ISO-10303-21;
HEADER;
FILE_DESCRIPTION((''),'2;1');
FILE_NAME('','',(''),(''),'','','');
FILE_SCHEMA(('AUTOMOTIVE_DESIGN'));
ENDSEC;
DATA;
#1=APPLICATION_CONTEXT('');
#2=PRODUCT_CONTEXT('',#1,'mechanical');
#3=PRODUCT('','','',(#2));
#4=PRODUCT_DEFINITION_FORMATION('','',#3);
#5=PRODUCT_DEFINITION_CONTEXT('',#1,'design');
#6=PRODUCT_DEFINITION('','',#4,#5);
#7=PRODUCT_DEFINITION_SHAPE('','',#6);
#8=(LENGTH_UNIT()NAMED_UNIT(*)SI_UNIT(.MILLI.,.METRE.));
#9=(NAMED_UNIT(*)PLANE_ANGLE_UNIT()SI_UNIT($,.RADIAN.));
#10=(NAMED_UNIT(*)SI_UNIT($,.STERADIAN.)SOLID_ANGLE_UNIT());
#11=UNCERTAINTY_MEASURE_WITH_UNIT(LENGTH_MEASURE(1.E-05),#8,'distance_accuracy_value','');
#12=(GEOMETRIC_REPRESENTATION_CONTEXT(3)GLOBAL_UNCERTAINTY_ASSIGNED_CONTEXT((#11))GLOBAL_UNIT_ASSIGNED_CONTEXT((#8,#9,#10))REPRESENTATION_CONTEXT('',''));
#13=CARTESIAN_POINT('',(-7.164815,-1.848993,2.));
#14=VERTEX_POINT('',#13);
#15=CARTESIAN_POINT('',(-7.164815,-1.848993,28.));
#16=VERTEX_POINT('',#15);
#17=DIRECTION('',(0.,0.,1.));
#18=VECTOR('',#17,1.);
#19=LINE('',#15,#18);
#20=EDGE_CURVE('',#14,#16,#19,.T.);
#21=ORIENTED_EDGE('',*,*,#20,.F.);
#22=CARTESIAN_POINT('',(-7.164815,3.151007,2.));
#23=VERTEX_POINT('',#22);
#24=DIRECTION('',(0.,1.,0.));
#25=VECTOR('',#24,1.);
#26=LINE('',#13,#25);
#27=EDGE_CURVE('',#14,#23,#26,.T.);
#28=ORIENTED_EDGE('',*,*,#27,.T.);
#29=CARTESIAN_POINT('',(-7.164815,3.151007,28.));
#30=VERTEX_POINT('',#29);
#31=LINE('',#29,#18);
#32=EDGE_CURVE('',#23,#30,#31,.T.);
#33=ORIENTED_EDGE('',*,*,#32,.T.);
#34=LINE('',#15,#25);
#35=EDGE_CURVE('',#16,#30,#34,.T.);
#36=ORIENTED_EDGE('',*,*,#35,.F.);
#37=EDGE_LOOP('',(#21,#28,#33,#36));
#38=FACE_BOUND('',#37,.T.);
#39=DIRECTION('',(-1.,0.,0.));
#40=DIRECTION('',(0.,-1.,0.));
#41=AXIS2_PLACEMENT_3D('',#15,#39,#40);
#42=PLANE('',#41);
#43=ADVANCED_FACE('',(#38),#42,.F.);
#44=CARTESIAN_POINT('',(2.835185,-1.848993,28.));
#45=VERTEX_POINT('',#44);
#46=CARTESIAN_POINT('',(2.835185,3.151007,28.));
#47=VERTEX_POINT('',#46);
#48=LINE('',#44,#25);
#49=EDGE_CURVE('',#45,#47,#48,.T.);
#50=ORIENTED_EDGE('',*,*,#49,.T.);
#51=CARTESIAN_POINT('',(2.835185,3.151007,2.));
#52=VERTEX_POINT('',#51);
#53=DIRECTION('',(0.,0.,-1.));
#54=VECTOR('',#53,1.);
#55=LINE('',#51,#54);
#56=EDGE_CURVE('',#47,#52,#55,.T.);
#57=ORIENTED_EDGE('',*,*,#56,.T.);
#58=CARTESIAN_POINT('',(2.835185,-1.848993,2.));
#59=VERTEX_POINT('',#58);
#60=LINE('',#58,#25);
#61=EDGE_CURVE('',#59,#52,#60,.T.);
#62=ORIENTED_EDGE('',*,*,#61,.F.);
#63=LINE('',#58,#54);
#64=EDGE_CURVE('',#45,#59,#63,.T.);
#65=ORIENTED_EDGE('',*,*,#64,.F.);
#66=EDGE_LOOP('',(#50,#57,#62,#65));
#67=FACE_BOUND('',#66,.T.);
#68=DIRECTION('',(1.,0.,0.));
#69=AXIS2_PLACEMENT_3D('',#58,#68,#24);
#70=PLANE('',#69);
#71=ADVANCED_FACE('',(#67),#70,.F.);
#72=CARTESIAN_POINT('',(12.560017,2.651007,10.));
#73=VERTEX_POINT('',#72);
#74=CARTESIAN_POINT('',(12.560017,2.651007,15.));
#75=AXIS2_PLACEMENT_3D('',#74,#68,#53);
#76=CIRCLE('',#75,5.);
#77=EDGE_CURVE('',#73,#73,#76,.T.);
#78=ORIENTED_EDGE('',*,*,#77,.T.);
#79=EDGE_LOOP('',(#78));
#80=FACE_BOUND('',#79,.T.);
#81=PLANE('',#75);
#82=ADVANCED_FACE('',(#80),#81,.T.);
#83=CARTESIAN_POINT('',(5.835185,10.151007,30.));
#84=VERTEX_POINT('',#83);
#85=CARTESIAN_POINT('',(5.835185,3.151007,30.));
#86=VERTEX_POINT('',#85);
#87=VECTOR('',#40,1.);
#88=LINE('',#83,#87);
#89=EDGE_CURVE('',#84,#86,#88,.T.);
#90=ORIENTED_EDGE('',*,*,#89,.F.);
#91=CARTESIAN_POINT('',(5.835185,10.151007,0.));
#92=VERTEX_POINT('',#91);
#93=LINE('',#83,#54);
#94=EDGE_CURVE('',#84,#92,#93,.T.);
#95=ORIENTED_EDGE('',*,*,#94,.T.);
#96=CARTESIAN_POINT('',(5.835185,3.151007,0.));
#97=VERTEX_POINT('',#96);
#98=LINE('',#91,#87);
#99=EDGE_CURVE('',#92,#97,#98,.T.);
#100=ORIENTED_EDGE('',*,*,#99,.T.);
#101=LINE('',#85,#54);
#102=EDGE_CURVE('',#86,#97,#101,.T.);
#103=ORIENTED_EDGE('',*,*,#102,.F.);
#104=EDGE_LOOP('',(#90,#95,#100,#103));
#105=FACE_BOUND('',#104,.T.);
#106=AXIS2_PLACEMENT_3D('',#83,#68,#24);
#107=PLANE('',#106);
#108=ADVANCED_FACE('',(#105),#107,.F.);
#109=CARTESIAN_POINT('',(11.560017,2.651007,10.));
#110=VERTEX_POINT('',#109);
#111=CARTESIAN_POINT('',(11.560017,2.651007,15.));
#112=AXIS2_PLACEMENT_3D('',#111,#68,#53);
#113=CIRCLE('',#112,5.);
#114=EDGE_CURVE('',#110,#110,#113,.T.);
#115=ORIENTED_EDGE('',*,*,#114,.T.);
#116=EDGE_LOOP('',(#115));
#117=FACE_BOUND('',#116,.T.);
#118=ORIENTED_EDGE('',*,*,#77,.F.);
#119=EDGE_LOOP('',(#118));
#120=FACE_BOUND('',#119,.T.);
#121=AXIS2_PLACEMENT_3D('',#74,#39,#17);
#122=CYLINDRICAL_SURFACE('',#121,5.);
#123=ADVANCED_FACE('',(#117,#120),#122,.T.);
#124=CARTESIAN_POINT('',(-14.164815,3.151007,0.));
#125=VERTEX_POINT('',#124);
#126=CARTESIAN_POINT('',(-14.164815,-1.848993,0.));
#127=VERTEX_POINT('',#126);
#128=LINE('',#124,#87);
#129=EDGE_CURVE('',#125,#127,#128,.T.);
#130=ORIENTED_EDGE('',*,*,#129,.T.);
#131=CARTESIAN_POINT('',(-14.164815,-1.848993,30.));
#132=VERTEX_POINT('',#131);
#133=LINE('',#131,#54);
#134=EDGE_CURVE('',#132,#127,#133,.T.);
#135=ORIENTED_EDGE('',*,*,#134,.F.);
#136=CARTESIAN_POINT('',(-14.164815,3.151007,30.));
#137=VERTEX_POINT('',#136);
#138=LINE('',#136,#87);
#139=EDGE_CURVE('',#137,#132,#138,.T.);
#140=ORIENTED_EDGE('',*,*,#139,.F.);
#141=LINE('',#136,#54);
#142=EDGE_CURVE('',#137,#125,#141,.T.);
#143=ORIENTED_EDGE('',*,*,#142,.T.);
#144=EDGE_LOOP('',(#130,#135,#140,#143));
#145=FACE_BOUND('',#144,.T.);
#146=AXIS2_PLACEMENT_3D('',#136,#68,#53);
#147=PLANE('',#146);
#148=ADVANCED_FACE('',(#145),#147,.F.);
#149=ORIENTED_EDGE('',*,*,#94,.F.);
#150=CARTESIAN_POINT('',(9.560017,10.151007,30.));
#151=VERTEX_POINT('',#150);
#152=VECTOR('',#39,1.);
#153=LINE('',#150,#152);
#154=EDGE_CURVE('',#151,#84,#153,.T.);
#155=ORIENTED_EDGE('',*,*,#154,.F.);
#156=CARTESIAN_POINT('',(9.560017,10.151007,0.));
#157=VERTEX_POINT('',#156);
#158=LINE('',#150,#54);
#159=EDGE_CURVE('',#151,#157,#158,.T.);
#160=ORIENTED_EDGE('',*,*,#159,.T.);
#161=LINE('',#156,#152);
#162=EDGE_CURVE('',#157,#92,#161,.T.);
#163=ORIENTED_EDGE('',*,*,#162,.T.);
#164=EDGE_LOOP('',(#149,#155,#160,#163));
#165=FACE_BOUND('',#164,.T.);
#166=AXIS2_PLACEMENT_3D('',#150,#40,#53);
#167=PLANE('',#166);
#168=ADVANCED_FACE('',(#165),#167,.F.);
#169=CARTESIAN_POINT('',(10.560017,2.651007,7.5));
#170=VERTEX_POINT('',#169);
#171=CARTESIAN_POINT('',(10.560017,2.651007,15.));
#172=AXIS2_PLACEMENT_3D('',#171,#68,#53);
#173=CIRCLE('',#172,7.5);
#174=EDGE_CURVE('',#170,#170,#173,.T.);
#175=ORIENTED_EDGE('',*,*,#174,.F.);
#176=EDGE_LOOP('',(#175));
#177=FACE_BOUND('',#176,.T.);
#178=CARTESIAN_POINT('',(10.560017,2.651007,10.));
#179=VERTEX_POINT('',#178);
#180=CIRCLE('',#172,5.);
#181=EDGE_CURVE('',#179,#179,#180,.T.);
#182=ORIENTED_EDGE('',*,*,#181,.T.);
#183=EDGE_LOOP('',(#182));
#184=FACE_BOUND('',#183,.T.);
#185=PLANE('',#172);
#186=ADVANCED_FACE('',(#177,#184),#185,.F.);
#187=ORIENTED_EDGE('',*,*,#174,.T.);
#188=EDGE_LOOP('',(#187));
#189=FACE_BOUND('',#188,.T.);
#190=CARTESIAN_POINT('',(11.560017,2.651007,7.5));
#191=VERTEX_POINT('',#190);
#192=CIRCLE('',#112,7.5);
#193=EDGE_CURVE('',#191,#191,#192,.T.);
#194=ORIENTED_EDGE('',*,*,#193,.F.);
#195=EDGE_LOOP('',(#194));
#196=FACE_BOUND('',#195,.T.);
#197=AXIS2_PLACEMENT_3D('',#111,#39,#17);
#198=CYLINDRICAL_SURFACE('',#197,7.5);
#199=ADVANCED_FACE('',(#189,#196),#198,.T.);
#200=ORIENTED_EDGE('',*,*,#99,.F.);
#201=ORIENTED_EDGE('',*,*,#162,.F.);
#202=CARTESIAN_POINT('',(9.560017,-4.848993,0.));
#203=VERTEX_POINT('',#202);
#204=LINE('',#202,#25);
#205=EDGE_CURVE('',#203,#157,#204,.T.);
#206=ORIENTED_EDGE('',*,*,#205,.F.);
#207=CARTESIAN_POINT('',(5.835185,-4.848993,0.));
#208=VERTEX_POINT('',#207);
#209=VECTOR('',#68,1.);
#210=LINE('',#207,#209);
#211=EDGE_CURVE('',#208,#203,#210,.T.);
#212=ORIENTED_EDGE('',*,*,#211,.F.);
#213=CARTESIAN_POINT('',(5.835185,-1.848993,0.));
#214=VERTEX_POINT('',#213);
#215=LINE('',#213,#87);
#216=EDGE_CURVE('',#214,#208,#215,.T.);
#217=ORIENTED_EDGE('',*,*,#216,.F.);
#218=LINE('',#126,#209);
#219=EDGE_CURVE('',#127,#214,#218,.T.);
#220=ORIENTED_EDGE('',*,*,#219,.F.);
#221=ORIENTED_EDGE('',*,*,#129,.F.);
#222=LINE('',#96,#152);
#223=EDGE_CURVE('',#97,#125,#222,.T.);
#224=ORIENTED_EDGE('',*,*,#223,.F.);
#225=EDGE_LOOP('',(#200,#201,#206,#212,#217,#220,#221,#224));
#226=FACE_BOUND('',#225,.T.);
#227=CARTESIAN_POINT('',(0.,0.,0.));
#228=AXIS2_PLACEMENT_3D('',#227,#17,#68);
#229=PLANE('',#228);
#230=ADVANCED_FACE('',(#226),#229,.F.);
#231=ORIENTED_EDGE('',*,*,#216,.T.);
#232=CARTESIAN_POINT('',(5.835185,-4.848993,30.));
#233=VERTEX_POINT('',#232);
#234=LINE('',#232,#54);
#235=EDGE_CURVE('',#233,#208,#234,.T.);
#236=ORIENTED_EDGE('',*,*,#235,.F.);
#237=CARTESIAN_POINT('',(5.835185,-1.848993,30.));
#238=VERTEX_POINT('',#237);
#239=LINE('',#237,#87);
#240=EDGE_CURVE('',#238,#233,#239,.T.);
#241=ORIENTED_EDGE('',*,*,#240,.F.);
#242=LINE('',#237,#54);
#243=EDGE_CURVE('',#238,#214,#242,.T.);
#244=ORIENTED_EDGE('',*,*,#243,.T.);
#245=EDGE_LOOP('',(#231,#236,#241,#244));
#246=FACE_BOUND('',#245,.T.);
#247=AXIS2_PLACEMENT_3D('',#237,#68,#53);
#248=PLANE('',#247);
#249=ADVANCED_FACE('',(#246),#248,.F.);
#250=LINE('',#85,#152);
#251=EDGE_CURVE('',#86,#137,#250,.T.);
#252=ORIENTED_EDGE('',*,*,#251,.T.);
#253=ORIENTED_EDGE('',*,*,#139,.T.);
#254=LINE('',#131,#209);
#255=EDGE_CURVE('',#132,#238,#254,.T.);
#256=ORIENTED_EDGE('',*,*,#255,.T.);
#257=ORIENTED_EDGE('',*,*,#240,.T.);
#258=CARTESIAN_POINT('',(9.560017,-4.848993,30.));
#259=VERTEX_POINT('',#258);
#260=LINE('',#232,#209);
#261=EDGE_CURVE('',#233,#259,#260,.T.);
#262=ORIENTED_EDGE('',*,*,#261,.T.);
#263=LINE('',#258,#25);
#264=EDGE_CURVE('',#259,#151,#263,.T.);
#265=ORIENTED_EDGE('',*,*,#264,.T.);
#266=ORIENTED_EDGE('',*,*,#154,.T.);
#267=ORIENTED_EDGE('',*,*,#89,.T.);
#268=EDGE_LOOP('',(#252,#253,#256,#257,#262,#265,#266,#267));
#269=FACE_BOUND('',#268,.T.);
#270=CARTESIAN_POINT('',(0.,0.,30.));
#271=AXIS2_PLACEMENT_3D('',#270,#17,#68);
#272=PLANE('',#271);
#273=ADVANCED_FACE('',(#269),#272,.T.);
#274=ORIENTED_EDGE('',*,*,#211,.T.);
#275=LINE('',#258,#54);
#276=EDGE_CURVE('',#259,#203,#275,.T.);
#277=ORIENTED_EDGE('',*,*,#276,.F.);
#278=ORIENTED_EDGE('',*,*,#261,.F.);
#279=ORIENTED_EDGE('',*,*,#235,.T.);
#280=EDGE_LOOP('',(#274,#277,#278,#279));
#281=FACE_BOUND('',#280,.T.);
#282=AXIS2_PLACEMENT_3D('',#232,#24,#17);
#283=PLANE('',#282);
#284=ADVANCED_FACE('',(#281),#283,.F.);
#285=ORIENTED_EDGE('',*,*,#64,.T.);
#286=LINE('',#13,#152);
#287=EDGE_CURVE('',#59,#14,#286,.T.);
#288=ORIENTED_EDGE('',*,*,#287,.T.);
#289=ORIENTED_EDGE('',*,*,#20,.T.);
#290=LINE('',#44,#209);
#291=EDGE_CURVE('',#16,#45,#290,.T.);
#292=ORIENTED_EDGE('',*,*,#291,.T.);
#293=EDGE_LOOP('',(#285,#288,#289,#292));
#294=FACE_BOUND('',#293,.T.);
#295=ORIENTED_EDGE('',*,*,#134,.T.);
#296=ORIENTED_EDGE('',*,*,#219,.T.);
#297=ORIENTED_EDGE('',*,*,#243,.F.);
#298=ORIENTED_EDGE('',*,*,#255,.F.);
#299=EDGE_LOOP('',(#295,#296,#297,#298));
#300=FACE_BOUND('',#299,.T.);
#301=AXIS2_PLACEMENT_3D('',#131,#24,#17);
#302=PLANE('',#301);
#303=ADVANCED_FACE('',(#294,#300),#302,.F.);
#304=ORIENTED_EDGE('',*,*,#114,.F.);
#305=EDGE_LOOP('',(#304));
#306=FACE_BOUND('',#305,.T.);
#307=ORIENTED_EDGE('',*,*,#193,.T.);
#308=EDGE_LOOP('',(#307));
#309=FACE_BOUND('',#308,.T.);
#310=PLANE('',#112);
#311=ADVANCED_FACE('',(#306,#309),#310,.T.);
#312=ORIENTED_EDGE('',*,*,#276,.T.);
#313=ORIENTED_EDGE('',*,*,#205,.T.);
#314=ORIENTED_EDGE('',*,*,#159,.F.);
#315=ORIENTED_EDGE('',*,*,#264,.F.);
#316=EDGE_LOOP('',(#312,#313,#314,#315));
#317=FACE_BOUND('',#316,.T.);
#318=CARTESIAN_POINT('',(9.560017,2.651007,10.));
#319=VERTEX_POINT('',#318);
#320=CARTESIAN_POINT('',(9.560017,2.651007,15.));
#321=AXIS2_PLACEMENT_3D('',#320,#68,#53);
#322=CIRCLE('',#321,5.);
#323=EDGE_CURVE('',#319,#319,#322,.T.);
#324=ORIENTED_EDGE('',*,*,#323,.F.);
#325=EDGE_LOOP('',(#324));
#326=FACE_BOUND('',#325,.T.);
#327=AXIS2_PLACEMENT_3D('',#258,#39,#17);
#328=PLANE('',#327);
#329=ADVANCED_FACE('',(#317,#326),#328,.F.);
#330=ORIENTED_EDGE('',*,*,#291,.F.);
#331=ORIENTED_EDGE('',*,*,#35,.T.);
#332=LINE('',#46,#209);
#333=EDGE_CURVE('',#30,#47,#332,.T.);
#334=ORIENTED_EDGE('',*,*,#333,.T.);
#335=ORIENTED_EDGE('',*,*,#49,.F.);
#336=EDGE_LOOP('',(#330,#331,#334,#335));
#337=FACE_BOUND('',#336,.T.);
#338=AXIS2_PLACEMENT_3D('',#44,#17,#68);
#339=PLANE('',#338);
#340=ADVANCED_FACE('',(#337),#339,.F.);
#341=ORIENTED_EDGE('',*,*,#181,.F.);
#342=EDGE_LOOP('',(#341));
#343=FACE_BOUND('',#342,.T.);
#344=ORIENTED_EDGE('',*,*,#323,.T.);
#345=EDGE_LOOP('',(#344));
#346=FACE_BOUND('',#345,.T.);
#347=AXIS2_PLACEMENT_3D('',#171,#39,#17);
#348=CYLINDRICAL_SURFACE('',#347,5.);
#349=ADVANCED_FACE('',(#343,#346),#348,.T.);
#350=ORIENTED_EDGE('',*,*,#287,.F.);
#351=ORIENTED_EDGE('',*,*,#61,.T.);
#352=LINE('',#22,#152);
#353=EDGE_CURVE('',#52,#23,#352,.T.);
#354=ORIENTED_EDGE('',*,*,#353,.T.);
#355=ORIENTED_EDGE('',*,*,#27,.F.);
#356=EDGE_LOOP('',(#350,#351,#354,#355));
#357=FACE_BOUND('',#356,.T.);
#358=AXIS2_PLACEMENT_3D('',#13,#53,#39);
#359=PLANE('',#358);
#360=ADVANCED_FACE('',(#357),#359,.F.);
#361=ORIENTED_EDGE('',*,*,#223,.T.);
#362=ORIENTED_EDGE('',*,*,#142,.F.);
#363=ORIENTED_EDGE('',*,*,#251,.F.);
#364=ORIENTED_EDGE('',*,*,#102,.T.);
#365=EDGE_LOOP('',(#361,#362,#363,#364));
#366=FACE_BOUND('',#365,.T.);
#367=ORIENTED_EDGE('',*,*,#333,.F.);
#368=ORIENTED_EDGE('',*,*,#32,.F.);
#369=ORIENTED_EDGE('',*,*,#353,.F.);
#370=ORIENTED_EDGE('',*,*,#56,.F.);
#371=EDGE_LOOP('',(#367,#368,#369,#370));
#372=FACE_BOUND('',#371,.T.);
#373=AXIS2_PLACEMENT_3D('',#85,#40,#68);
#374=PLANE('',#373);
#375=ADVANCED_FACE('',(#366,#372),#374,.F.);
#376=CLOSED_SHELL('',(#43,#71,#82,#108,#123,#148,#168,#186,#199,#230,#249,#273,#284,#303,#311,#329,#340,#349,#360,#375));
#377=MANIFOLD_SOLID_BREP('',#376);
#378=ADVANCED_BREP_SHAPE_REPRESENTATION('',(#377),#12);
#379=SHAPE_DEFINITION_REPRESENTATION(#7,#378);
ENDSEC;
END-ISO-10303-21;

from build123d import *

# Parameters (mm, degrees)
BOSS_EXTRUDE1_DEPTH = 30
SKETCH3_W           = 10
SKETCH3_H           = 26
CUT_EXTRUDE1_DEPTH  = 5
SKETCH6_R           = 5
BOSS_EXTRUDE2_DEPTH = 1
SKETCH7_R           = 7.5
BOSS_EXTRUDE3_DEPTH = 1
SKETCH8_R           = 5
BOSS_EXTRUDE4_DEPTH = 1


with BuildPart() as part:
    # Sketch1 → Boss-Extrude1 (new body)
    with BuildSketch(Plane.XY):
        Polygon((-14.164814983, 3.151006711), (-14.164814983, -1.848993289), (5.835185017, -1.848993289), (5.835185017, -4.848993289), (9.560017232, -4.848993289), (9.560017232, 10.151006711), (5.835185017, 10.151006711), (5.835185017, 3.151006711), align=None)
    extrude(amount=BOSS_EXTRUDE1_DEPTH)

    # Sketch3 → Cut-Extrude1 (cut)
    with BuildSketch(Plane(origin=(0, 3.151006711, 0), x_dir=(1, 0, 0), z_dir=(0, 1, 0))):
        with Locations((-2.164814983, -15)):
            Rectangle(SKETCH3_W, SKETCH3_H)
    extrude(amount=-CUT_EXTRUDE1_DEPTH, mode=Mode.SUBTRACT)

    # Sketch6 → Boss-Extrude2 (add)
    with BuildSketch(Plane(origin=(9.560017232, 0, 0), x_dir=(0, 0, -1), z_dir=(1, 0, 0))):
        with Locations((-15, 2.651006711)):
            Circle(SKETCH6_R)
    extrude(amount=BOSS_EXTRUDE2_DEPTH)

    # Sketch7 → Boss-Extrude3 (add)
    with BuildSketch(Plane(origin=(10.560017232, 0, 0), x_dir=(0, 0, -1), z_dir=(1, 0, 0))):
        with Locations((-15, 2.651006711)):
            Circle(SKETCH7_R)
    extrude(amount=BOSS_EXTRUDE3_DEPTH)

    # Sketch8 → Boss-Extrude4 (add)
    with BuildSketch(Plane(origin=(11.560017232, 0, 0), x_dir=(0, 0, -1), z_dir=(1, 0, 0))):
        with Locations((-15, 2.651006711)):
            Circle(SKETCH8_R)
    extrude(amount=BOSS_EXTRUDE4_DEPTH)


solid = part.part
